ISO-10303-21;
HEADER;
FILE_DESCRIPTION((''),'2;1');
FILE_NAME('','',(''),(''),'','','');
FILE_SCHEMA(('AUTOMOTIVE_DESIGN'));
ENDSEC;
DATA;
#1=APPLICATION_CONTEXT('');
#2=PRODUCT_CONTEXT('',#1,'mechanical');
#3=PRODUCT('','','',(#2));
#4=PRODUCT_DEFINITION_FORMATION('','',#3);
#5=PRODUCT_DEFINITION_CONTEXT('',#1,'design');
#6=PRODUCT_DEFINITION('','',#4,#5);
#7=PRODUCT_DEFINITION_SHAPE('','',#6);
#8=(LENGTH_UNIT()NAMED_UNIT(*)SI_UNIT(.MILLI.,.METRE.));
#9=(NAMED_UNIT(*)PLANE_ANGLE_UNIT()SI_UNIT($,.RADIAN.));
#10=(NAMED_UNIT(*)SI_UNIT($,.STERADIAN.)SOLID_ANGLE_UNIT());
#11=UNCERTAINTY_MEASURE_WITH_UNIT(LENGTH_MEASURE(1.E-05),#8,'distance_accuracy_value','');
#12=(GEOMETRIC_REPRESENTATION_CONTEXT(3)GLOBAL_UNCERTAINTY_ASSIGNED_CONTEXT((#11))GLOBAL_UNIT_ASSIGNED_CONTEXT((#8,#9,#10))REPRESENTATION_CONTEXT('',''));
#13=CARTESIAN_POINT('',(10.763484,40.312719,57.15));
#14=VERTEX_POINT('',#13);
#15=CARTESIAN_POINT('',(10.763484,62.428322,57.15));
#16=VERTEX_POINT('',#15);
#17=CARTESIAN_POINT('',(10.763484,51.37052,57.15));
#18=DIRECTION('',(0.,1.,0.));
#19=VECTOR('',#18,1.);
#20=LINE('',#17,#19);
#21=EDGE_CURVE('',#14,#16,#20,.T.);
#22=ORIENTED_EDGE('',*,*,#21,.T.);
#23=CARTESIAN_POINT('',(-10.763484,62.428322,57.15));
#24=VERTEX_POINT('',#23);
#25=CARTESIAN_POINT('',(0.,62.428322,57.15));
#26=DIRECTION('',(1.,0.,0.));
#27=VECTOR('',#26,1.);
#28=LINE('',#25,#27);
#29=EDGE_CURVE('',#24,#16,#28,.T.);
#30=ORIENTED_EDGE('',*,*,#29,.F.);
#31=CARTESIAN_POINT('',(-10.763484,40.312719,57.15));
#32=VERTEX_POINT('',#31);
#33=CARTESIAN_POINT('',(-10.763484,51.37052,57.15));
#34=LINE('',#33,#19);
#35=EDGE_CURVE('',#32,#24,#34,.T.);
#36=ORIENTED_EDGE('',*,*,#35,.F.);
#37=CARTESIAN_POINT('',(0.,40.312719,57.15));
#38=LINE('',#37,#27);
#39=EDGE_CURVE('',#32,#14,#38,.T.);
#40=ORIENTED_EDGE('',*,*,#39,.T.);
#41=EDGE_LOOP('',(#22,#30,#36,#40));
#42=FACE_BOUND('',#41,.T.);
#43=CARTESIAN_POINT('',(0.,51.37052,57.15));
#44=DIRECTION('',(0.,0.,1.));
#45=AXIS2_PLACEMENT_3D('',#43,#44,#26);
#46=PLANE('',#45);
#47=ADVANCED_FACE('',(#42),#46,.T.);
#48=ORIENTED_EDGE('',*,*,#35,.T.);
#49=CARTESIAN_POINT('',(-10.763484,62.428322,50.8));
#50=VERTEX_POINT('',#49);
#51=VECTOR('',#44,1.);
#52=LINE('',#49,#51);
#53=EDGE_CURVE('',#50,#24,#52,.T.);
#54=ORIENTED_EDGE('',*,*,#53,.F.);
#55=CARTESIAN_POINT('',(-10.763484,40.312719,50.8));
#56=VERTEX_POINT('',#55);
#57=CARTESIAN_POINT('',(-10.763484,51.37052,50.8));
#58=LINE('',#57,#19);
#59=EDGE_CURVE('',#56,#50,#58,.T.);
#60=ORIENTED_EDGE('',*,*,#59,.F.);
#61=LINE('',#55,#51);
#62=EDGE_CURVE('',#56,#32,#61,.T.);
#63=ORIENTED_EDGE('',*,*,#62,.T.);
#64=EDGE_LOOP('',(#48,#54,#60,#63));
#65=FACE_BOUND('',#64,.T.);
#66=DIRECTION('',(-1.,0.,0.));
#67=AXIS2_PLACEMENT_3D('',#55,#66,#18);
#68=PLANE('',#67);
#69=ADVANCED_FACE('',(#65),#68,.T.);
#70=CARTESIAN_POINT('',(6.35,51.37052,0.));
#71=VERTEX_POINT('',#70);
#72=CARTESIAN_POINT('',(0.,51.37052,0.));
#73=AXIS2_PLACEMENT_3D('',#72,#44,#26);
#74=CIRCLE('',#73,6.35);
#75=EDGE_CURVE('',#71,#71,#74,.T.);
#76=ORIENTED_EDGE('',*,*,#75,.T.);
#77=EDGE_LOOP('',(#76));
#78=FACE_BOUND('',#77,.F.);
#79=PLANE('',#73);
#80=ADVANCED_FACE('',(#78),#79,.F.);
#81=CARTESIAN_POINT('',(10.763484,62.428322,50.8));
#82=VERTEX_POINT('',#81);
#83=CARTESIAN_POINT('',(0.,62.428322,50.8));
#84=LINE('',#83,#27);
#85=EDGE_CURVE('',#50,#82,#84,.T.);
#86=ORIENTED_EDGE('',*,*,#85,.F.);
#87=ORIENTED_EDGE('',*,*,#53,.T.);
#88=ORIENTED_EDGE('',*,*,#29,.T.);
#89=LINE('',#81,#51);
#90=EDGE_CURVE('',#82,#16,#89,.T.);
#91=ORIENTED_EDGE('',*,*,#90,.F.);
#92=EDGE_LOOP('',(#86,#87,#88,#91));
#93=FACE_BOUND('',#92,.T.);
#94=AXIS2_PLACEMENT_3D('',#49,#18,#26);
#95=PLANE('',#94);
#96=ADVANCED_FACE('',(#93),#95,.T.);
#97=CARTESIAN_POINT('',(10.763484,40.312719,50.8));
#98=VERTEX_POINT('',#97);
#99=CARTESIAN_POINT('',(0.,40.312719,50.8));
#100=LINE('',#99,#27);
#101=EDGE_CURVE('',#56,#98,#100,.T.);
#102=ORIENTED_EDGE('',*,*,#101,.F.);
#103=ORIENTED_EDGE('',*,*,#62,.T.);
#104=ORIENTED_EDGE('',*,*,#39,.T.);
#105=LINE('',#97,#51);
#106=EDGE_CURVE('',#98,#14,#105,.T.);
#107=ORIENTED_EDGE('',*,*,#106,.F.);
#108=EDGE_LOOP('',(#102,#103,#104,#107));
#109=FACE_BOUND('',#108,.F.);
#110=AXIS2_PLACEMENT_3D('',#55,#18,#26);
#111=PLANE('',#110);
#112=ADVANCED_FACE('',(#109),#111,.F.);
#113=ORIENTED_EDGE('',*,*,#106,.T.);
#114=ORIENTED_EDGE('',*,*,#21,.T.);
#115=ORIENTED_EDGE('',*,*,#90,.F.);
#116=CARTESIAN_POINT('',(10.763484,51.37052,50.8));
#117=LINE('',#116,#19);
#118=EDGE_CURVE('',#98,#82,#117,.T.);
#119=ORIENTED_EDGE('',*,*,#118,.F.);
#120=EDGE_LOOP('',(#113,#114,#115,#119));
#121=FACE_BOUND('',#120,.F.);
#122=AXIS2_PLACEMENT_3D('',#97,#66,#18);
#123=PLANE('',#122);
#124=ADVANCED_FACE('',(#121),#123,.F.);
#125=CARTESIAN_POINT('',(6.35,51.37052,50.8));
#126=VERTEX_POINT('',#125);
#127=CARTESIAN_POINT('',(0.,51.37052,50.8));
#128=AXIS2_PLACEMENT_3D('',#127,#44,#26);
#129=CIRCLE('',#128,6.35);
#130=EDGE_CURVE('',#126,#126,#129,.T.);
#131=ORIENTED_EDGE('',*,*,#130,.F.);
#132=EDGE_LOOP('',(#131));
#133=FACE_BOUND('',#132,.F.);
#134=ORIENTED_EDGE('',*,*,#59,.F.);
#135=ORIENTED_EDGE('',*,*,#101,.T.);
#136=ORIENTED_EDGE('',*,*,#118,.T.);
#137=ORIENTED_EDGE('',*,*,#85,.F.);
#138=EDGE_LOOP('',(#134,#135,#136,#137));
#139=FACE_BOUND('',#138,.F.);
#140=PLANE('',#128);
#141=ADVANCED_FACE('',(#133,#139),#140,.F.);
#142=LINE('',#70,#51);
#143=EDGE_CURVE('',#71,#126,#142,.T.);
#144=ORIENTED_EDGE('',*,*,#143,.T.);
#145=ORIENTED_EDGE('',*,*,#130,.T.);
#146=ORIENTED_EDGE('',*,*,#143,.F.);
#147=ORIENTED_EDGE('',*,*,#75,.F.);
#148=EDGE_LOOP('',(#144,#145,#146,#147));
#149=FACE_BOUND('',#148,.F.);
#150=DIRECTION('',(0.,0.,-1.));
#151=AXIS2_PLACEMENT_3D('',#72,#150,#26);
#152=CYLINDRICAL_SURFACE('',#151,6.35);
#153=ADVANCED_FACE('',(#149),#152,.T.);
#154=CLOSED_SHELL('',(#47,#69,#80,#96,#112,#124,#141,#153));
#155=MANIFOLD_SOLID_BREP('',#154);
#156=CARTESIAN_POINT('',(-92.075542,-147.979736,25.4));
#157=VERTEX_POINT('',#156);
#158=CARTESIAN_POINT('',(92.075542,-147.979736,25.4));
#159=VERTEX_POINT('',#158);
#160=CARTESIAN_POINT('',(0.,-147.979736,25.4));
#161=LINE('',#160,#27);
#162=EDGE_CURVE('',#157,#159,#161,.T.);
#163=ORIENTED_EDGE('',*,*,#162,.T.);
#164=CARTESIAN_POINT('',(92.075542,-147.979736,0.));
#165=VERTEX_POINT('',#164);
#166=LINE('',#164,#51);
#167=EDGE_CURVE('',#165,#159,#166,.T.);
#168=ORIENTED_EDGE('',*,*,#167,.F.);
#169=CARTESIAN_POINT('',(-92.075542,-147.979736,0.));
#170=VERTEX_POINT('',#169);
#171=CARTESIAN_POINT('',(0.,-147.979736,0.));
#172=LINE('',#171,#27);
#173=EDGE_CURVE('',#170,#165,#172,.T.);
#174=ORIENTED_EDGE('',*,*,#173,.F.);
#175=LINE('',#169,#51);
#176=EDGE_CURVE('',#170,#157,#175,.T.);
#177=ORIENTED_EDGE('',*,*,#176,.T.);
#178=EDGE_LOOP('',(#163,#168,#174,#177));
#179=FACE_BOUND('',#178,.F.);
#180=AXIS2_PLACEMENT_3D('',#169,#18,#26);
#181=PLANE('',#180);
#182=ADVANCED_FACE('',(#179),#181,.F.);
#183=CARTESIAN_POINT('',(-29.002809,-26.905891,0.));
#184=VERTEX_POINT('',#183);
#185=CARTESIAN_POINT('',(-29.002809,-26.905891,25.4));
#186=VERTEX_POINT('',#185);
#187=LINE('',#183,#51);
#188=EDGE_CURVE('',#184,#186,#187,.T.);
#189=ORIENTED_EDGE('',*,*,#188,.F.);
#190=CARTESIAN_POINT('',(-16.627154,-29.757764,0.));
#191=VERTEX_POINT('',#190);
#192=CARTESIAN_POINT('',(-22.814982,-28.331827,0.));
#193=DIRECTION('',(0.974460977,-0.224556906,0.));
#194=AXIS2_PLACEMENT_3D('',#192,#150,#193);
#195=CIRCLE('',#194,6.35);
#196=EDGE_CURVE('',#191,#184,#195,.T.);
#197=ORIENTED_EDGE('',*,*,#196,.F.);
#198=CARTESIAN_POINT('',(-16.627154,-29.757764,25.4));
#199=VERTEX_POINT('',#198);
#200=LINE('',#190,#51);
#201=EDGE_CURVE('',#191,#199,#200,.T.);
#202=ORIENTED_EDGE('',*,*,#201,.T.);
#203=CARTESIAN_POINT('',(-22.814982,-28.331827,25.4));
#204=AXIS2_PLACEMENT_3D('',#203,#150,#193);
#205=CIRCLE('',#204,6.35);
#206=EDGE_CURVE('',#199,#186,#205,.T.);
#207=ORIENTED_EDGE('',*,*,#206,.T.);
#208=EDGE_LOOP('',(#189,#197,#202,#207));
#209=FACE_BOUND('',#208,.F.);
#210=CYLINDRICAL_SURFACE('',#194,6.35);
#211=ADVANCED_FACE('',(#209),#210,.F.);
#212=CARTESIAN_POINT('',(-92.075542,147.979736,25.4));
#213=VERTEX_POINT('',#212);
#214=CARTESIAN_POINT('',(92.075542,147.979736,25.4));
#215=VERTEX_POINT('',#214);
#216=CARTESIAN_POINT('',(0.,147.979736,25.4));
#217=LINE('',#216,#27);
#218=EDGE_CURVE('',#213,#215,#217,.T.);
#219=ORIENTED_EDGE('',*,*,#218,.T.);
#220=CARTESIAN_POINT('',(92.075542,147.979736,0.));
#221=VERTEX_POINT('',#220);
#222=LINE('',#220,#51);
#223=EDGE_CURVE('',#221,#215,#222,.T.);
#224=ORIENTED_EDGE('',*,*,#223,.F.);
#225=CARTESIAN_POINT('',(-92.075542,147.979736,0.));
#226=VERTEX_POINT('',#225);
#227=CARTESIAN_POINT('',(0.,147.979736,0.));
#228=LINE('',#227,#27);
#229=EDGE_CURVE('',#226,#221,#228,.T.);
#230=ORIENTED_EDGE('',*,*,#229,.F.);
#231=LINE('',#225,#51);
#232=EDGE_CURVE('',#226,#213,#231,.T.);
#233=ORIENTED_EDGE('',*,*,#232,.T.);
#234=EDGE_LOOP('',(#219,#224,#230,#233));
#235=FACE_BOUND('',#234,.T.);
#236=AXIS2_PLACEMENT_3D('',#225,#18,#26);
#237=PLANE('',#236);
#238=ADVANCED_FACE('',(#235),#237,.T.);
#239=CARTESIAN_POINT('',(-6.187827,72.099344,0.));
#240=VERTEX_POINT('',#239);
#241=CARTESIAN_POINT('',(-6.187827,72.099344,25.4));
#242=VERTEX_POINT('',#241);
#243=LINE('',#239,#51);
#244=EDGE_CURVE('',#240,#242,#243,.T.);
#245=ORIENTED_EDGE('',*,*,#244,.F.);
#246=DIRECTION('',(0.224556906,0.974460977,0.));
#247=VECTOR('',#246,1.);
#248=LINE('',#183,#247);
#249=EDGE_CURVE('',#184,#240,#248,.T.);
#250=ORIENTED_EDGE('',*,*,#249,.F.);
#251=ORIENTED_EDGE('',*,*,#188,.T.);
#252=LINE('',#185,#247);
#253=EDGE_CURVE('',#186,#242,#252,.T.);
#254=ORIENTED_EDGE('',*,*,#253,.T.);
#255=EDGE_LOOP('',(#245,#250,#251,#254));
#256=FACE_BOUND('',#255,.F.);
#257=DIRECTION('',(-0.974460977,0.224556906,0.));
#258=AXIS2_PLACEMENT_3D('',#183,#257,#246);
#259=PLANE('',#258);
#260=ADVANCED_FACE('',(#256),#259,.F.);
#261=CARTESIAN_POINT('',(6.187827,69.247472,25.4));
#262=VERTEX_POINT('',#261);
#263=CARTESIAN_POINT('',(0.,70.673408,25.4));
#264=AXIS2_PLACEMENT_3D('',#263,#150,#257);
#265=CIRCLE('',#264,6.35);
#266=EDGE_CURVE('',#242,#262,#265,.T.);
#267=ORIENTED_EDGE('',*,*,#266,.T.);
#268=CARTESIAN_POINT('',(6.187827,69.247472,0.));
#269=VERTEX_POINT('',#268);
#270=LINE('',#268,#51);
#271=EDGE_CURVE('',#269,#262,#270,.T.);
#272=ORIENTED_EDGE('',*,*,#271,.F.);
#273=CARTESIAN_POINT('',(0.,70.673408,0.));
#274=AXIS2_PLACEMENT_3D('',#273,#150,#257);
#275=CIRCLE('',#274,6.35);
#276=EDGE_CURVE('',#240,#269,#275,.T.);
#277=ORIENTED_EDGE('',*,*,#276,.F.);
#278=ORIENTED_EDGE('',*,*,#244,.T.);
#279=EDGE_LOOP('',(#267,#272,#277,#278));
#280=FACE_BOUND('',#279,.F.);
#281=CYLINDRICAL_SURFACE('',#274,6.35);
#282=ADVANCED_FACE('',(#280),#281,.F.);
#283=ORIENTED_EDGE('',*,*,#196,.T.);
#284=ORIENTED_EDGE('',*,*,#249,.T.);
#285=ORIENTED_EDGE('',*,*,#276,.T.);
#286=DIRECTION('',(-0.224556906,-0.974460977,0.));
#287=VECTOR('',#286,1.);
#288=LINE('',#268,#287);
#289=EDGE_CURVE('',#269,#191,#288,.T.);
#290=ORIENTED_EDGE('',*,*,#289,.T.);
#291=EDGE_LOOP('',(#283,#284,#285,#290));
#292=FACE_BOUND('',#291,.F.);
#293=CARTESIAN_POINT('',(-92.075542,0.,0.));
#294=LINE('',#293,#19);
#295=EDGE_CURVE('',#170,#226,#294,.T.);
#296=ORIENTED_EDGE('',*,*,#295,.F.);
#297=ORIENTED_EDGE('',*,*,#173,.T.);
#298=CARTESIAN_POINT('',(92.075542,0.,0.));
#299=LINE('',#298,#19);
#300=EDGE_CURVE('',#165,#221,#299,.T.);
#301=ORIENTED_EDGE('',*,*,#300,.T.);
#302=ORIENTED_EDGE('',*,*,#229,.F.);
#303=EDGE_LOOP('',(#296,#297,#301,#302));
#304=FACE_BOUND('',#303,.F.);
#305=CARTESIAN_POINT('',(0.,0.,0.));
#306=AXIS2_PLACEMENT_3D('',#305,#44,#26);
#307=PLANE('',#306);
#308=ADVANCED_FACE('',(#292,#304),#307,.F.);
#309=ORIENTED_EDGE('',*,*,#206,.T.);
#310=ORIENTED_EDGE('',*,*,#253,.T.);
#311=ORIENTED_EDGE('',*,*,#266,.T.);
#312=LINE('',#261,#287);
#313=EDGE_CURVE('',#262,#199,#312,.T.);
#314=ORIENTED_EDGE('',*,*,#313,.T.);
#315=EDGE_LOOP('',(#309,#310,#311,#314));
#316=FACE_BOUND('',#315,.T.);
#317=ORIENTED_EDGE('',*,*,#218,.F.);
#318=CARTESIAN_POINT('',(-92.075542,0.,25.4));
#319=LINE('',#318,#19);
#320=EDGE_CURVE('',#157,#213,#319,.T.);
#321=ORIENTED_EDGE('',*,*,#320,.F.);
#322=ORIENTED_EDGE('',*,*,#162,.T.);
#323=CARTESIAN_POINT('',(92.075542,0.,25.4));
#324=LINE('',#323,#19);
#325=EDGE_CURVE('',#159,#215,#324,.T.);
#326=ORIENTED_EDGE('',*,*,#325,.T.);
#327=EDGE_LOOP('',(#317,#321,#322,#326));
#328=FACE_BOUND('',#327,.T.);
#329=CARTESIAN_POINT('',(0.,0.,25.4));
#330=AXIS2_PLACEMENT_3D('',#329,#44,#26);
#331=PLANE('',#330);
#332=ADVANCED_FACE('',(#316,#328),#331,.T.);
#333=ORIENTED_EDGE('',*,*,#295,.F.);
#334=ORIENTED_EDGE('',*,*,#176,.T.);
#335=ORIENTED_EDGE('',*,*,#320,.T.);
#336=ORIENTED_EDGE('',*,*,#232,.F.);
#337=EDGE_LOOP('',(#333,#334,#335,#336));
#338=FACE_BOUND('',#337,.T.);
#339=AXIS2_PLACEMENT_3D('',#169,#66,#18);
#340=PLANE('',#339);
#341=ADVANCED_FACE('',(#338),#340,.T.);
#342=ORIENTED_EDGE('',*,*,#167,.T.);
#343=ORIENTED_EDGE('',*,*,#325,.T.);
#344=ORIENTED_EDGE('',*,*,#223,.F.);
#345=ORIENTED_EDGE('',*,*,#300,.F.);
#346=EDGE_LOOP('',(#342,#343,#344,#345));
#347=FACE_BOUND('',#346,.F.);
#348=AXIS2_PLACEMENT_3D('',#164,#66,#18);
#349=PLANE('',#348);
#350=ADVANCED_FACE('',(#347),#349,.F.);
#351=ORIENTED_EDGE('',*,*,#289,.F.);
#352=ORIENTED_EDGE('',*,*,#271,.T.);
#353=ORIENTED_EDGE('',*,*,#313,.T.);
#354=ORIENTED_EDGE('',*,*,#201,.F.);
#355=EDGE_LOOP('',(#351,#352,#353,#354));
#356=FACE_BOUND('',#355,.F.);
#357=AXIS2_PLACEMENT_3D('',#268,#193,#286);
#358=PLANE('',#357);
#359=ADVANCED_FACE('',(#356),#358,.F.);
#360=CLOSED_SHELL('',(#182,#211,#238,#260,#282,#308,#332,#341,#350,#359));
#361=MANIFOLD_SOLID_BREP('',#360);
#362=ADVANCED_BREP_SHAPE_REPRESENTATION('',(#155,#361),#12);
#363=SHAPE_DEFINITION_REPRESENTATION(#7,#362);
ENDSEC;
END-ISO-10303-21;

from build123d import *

# Parameters (mm, degrees)
F0_W     = 184.151083231
F0_H     = 295.9594726562
F1_DEPTH = 25.4
F2_R     = 6.35
F3_DEPTH = 50.8
F4_W     = 21.5269681066
F4_H     = 22.1156030893
F5_DEPTH = 6.35


with BuildPart() as f1:
    # F0 (on Top) → F1 (new body)
    with BuildSketch(Plane.XY):
        Rectangle(F0_W, F0_H)
        with BuildLine():
            Line((-29.0028088444, -26.9058910199), (-6.187827205, 72.0993442599))
            ThreePointArc((-6.187827205, 72.0993442599), (1.4259363525, 76.8612351124), (6.187827205, 69.247471555))
            Line((6.187827205, 69.247471555), (-16.6271544344, -29.7577637248))
            ThreePointArc((-16.6271544344, -29.7577637248), (-24.2409179918, -34.5196545773), (-29.0028088444, -26.9058910199))
        make_face(mode=Mode.SUBTRACT)
    extrude(amount=F1_DEPTH)


with BuildPart() as f3:
    # F2 (on Top) → F3 (new body)
    with BuildSketch(Plane.XY):
        with Locations((0, 51.3705201447)):
            Circle(F2_R)
    extrude(amount=F3_DEPTH)

    # F4 (on face) → F5 (join)
    with BuildSketch(Plane.XY.offset(50.8)):
        with Locations((0, 51.3705201447)):
            Rectangle(F4_W, F4_H)
    extrude(amount=F5_DEPTH)


solid = Compound([f1.part, f3.part])
